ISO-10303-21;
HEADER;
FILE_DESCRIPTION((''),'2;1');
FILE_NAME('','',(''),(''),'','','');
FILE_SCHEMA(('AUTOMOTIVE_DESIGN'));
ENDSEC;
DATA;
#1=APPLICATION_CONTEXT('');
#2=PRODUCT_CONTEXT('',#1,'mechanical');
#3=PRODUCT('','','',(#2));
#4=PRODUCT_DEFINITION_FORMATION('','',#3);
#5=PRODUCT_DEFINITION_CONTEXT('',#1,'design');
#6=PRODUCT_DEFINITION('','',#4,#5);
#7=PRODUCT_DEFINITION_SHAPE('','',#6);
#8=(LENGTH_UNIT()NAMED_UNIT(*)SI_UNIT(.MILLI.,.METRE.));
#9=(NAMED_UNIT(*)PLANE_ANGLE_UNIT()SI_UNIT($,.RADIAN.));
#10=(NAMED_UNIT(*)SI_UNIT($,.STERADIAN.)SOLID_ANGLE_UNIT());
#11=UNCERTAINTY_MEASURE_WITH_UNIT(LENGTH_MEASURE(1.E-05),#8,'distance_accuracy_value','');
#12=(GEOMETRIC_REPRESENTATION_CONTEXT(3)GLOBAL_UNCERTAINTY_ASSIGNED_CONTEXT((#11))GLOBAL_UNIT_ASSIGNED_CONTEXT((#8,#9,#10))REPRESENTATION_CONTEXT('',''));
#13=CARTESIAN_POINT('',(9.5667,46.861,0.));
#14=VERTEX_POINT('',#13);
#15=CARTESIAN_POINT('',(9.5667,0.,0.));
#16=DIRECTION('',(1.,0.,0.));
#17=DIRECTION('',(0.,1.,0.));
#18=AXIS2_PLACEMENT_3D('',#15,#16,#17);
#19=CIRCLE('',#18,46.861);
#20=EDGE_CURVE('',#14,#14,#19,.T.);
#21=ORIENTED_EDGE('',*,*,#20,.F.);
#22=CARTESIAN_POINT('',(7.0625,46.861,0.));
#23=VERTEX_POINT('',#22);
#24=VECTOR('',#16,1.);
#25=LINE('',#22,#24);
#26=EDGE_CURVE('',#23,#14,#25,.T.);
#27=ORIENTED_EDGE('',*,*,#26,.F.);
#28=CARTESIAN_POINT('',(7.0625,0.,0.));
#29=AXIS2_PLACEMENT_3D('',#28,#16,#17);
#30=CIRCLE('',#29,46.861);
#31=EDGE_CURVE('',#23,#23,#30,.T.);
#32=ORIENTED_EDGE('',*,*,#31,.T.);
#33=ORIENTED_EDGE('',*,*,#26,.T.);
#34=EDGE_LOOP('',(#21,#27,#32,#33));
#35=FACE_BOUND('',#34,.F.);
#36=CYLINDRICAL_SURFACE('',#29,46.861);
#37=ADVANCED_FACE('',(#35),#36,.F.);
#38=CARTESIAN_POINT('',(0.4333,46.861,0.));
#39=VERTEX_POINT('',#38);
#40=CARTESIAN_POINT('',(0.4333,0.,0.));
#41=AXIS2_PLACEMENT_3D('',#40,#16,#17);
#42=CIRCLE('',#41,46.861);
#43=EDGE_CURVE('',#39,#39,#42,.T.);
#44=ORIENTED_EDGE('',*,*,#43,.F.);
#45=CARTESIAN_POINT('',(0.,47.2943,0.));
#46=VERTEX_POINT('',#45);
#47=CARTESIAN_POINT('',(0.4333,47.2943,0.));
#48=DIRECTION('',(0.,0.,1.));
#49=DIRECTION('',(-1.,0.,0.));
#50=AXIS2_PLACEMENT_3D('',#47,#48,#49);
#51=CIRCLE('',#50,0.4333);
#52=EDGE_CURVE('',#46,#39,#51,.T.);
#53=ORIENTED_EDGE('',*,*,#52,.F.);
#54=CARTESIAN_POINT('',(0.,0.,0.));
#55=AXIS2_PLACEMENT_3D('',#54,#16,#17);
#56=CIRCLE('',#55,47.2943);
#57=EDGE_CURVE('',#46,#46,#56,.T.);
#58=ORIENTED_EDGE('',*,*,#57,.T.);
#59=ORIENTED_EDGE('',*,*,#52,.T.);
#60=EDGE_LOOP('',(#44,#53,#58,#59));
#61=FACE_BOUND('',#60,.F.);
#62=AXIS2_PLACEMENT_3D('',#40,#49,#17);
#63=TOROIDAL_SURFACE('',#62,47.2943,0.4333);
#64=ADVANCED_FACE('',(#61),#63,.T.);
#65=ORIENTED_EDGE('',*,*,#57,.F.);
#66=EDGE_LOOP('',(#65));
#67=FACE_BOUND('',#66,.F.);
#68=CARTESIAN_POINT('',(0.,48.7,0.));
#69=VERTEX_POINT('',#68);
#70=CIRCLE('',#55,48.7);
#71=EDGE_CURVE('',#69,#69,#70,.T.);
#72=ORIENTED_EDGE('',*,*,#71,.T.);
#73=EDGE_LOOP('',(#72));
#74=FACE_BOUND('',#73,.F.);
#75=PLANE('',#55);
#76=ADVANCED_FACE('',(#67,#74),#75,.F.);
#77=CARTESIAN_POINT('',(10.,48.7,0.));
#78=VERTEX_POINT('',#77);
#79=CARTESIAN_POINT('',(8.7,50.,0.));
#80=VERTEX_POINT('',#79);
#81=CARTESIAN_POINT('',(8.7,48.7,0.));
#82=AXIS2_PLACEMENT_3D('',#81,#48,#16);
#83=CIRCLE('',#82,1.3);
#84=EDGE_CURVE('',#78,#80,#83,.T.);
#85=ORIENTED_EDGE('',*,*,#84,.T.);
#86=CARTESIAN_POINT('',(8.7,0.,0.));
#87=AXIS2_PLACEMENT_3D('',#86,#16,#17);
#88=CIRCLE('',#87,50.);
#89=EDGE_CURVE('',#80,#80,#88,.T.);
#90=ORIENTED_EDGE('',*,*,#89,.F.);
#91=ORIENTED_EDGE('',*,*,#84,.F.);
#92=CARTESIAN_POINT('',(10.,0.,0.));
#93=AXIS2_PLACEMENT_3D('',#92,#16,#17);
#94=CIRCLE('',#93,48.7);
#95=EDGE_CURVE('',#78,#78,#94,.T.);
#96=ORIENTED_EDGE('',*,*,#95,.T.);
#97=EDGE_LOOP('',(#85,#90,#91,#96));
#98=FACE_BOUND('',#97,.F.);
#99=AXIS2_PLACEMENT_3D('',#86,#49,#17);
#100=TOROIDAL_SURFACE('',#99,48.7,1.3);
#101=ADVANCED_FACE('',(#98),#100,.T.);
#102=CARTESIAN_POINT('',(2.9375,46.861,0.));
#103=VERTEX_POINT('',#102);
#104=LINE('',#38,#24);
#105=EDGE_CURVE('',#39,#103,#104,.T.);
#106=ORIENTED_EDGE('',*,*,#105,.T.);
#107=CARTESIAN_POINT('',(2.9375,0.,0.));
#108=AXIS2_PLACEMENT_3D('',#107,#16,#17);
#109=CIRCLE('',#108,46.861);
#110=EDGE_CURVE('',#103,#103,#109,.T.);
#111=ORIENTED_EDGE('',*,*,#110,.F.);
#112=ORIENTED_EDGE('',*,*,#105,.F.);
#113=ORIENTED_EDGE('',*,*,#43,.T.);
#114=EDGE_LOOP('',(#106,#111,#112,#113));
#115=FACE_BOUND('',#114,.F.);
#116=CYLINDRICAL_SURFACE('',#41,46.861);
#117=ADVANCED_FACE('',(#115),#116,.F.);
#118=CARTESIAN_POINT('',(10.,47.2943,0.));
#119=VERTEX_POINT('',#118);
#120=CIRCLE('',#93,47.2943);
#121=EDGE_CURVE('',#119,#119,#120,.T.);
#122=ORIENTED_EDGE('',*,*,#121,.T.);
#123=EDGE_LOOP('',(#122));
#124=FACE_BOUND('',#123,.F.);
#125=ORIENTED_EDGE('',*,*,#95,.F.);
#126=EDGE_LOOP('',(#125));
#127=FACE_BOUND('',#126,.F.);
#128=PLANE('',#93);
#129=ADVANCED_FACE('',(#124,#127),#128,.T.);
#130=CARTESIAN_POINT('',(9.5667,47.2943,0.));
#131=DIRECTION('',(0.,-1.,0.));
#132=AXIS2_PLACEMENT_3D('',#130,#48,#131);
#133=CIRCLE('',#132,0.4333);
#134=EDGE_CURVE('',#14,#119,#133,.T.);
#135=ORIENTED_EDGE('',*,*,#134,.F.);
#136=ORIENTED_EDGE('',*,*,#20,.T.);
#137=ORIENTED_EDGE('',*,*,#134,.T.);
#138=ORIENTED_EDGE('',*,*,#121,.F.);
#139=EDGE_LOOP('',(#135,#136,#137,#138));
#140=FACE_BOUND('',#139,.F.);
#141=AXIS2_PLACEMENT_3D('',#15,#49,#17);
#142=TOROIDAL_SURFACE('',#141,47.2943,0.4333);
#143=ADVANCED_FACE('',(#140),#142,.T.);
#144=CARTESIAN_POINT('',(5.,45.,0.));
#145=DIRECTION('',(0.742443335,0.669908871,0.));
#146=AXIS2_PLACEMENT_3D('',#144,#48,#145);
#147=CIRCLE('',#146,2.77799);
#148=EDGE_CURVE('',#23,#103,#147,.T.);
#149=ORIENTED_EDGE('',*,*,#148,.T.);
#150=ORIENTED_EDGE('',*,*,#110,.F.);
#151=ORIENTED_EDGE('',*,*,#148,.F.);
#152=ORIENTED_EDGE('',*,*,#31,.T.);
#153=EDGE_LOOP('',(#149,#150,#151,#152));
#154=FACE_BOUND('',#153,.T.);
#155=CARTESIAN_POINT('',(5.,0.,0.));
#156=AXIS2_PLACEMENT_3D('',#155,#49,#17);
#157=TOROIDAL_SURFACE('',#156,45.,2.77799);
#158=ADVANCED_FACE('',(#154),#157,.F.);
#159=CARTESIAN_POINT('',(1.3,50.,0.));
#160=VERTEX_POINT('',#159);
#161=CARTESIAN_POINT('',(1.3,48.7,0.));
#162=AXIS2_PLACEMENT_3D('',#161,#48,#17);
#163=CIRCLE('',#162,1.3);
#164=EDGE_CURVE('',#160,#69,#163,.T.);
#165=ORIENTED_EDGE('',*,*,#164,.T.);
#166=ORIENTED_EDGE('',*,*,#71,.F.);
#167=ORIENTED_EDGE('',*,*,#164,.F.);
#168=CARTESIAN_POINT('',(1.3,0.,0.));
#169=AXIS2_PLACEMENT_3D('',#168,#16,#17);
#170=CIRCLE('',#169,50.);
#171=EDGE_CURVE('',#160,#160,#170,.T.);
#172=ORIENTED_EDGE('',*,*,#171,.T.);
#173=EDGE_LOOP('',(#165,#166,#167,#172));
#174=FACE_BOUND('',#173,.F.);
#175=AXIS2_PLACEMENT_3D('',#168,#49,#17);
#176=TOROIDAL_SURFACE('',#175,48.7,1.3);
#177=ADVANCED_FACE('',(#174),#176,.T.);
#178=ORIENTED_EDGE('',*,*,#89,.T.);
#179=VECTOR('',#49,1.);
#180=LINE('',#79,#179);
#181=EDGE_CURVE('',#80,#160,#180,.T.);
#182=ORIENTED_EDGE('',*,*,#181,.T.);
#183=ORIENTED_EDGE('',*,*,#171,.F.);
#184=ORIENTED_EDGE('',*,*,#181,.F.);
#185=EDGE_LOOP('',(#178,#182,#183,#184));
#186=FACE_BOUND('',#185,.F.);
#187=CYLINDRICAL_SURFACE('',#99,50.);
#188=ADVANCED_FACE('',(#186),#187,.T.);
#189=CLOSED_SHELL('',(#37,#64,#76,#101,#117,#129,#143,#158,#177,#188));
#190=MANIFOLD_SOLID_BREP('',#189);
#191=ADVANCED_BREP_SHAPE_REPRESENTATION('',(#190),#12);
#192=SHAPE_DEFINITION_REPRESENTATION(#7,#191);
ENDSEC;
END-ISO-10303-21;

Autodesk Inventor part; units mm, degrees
ref_plane "YZ Plane" through (0, 0, 0) normal (1, 0, 0) x (0, 1, 0)
ref_plane "XZ Plane" through (0, 0, 0) normal (0, 1, 0) x (-1, 0, 0)
ref_plane "XY Plane" through (0, 0, 0) normal (0, 0, 1) x (1, 0, 0)
sketch "Sketch_1" plane through (0, 0, 0) normal (0, 0, 1) x (1, 0, 0)
  line L0 (50, 0) -> (-50, 0)
  line L1 (0, 48.7) -> (0, 47.2943)
  arc A0 (0, 47.2943) -> (0.4333, 46.861) centre (0.4333, 47.2943) ccw
  line L2 (0.4333, 46.861) -> (2.9375, 46.861)
  arc A1 (7.0625, 46.861) -> (2.9375, 46.861) centre (5, 45) ccw
  line L3 (7.0625, 46.861) -> (9.5667, 46.861)
  arc A2 (9.5667, 46.861) -> (10, 47.2943) centre (9.5667, 47.2943) ccw
  line L4 (10, 47.2943) -> (10, 48.7)
  arc A3 (10, 48.7) -> (8.7, 50) centre (8.7, 48.7) ccw
  line L5 (8.7, 50) -> (1.3, 50)
  arc A4 (1.3, 50) -> (0, 48.7) centre (1.3, 48.7) ccw
revolve "Revolution1" add sketch "Sketch_1" angle 360 about axis through (50, 0, 0) along (1, 0, 0)
properties part number "61816_PART2"
